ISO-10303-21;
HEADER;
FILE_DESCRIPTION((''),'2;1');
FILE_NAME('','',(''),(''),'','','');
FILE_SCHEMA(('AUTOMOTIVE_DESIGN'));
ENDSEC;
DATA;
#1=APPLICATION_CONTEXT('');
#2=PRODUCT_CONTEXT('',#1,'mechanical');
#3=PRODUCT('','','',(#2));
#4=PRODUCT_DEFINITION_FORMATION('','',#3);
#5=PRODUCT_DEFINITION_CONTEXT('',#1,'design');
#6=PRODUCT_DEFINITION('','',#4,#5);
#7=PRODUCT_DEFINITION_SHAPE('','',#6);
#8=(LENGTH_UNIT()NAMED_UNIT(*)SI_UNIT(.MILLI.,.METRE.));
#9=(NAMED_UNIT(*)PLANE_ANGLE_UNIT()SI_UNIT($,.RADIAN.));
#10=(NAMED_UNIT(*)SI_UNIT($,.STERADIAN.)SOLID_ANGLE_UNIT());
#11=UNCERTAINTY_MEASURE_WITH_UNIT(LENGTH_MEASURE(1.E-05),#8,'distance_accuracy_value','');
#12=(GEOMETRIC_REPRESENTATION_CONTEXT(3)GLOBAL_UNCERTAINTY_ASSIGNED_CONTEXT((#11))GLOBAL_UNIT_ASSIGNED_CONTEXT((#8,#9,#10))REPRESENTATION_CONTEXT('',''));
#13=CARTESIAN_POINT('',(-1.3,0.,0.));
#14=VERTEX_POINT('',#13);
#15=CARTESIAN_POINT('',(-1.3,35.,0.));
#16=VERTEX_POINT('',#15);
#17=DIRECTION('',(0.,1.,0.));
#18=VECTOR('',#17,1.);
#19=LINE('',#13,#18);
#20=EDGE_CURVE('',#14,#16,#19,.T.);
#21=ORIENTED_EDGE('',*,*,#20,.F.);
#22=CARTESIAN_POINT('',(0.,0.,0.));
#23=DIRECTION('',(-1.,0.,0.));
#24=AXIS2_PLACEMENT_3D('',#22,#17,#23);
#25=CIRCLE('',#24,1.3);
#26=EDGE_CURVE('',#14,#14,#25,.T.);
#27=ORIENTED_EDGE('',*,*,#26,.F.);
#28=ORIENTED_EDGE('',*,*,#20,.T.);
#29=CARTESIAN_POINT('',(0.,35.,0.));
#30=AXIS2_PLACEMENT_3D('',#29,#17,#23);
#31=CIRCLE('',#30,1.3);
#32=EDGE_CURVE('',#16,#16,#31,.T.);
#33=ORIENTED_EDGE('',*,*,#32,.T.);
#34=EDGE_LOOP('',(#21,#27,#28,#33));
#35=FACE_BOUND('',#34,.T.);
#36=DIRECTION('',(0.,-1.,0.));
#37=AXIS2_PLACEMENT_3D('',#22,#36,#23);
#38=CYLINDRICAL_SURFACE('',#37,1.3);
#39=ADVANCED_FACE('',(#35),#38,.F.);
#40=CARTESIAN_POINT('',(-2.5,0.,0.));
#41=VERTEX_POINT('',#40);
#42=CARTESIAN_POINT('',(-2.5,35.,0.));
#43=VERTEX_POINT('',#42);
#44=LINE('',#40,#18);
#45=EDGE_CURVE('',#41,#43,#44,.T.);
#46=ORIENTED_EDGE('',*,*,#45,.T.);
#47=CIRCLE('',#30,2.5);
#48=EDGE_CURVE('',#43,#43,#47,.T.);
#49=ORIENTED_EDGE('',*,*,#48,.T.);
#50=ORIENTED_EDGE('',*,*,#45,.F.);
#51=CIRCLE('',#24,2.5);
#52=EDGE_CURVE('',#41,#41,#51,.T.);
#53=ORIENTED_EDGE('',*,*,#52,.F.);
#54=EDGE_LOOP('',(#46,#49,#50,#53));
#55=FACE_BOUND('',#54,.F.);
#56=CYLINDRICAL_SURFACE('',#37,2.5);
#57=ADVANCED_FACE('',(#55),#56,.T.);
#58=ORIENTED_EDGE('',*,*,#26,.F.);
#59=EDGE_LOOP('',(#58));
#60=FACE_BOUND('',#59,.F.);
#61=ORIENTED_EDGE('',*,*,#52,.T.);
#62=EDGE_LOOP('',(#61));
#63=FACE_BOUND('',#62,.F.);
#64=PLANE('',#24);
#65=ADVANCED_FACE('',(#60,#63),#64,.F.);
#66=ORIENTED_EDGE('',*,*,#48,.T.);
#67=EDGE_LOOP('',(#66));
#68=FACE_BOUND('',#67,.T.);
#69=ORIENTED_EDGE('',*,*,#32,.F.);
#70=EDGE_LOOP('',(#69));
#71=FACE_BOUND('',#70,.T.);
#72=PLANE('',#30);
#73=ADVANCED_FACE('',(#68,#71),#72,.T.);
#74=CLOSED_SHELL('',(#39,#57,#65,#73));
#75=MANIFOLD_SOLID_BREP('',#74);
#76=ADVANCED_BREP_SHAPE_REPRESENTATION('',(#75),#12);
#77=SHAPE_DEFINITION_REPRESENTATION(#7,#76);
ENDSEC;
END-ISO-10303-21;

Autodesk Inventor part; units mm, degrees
ref_plane "YZ Plane" through (0, 0, 0) normal (1, 0, 0) x (0, 1, 0)
ref_plane "XZ Plane" through (0, 0, 0) normal (0, 1, 0) x (-1, 0, 0)
ref_plane "XY Plane" through (0, 0, 0) normal (0, 0, 1) x (1, 0, 0)
sketch "スケッチ1" plane through (0, 0, 0) normal (0, 1, 0) x (-1, 0, 0)
  circle A0 centre (0, 0) radius 2.5
  circle A1 centre (0, 0) radius 1.3
  dimension "d0" = 2.6
  dimension "d1" = 5
extrude "押し出し1" add sketch "スケッチ1" along normal blind 35
properties part number "Spacer_M2.6x30"
